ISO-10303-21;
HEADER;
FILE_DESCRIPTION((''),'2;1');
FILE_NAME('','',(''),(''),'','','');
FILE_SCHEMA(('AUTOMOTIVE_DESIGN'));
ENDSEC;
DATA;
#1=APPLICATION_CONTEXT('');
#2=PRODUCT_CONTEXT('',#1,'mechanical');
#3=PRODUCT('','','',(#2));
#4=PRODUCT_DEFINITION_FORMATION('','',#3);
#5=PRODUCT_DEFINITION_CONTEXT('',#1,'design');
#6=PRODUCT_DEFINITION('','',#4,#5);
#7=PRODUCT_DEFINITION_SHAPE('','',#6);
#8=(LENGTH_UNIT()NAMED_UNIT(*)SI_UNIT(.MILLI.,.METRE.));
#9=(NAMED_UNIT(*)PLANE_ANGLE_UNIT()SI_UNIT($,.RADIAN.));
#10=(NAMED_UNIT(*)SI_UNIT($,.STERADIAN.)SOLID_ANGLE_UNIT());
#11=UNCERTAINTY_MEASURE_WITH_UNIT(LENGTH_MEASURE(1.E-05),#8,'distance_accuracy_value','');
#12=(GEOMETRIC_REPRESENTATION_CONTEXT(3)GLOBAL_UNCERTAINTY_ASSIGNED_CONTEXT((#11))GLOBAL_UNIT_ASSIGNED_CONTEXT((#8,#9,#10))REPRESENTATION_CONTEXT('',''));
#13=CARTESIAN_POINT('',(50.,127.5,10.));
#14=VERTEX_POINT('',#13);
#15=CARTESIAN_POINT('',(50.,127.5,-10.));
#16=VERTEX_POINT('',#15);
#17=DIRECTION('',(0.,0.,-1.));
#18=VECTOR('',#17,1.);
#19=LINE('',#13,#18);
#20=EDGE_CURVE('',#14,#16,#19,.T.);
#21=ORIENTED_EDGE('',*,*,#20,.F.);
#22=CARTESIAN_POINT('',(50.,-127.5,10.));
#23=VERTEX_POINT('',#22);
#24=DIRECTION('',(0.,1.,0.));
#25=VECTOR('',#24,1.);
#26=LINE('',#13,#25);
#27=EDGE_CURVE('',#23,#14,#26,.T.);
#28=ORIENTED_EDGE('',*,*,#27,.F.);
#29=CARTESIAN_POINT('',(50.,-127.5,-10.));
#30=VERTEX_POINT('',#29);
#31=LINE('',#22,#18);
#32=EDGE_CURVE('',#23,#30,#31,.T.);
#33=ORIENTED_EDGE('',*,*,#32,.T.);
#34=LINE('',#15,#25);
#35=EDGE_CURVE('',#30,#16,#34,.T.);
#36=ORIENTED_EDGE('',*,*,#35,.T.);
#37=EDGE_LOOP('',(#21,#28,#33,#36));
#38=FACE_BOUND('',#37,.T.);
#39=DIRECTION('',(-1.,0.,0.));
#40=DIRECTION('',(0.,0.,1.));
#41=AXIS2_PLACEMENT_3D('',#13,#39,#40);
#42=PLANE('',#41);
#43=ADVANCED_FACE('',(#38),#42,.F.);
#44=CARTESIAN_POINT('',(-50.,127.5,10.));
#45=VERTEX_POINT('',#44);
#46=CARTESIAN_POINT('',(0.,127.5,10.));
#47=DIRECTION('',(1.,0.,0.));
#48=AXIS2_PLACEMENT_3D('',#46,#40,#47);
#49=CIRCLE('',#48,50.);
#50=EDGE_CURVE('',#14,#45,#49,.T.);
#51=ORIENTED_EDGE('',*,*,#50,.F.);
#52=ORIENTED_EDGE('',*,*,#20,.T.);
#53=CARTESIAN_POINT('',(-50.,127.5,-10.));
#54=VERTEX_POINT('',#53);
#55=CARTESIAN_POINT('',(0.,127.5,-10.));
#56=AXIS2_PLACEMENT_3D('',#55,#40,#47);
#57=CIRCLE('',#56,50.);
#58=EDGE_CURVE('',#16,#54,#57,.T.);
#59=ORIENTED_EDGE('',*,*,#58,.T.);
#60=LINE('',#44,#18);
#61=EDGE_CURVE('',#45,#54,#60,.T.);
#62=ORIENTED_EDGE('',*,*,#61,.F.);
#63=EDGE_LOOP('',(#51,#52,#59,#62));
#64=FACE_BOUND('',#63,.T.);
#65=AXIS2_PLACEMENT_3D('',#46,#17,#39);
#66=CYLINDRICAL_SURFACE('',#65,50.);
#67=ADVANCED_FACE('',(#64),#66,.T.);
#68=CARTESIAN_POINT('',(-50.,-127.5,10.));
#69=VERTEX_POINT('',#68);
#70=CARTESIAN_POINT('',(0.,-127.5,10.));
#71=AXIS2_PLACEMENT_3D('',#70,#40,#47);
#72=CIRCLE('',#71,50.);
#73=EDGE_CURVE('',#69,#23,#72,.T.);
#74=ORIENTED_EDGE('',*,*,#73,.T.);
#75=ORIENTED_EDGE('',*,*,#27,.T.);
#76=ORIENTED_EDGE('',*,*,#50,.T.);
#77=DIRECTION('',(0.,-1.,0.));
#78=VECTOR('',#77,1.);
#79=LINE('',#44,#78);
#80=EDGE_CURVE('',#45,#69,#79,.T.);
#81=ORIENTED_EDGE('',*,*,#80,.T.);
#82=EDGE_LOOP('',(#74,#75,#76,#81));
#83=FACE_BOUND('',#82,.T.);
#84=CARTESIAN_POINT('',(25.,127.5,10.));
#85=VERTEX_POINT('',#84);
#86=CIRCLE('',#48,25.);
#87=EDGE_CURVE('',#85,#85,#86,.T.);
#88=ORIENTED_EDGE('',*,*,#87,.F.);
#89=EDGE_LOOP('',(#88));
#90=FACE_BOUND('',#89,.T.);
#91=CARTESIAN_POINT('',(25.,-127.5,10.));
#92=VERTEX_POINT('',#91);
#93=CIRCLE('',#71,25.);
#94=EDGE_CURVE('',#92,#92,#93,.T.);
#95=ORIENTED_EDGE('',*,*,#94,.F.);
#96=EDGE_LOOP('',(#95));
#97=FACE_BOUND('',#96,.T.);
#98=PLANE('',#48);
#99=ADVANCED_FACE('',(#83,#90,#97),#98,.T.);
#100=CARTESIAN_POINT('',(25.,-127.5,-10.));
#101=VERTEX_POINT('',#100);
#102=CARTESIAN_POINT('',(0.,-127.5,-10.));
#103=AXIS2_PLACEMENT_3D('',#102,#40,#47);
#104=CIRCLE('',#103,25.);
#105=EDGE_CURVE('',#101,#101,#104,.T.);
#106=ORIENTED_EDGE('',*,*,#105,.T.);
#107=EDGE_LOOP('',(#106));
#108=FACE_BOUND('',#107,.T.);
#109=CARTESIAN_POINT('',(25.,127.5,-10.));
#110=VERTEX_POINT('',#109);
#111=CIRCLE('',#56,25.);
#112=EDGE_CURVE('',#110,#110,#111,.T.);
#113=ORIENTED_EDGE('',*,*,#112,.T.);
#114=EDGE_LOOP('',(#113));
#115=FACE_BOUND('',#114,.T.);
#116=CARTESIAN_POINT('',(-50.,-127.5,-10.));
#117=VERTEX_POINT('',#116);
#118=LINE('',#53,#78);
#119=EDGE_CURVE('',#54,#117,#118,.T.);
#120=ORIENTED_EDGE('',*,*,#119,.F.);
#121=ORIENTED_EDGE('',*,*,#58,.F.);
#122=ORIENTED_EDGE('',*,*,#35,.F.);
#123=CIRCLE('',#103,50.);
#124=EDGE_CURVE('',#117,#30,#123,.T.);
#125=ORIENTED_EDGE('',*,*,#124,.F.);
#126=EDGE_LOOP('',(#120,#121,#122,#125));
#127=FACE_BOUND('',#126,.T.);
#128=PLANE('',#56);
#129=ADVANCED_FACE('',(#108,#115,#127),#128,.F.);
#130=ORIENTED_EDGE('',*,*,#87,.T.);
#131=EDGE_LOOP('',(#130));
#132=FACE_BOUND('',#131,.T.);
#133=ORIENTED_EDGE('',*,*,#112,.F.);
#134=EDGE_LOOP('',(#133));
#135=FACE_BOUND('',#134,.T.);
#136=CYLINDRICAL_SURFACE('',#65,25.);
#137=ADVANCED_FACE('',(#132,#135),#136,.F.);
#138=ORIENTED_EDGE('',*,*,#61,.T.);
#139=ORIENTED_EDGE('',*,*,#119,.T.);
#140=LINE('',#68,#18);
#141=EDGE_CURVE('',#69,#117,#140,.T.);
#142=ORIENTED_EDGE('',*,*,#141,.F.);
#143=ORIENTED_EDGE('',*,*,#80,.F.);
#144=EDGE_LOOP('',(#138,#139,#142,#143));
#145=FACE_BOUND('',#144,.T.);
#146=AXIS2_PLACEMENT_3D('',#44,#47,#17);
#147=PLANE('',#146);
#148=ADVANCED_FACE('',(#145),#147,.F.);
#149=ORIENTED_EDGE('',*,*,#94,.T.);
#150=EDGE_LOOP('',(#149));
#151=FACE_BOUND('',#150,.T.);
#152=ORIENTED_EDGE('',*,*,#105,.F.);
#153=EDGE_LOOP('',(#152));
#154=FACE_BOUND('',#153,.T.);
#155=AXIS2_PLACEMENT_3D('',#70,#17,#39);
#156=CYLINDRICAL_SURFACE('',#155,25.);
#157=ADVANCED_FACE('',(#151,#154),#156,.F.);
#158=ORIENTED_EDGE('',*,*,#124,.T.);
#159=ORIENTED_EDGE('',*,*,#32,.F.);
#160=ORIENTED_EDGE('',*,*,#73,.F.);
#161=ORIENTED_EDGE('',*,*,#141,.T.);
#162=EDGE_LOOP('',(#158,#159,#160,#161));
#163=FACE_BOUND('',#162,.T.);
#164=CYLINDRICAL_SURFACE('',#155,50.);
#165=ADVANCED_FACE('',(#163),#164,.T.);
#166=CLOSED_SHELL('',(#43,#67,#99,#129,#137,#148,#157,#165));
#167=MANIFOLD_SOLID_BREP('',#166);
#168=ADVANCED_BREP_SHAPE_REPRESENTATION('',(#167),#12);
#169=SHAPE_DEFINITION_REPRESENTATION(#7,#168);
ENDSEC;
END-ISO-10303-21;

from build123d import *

# Parameters (mm, degrees)
SKETCH1_R           = 25
BOSS_EXTRUDE1_DEPTH = 10


with BuildPart() as part:
    # Sketch1 → Boss-Extrude1 (new body, symmetric)
    with BuildSketch(Plane.XY):
        with BuildLine():
            Line((-50, 127.5), (-50, -127.5))
            ThreePointArc((-50, -127.5), (0, -177.5), (50, -127.5))
            Line((50, -127.5), (50, 127.5))
            ThreePointArc((50, 127.5), (0, 177.5), (-50, 127.5))
        make_face()
        with Locations((0, 127.5)):
            Circle(SKETCH1_R, mode=Mode.SUBTRACT)
        with Locations((0, -127.5)):
            Circle(SKETCH1_R, mode=Mode.SUBTRACT)
    extrude(amount=BOSS_EXTRUDE1_DEPTH, both=True)


solid = part.part
